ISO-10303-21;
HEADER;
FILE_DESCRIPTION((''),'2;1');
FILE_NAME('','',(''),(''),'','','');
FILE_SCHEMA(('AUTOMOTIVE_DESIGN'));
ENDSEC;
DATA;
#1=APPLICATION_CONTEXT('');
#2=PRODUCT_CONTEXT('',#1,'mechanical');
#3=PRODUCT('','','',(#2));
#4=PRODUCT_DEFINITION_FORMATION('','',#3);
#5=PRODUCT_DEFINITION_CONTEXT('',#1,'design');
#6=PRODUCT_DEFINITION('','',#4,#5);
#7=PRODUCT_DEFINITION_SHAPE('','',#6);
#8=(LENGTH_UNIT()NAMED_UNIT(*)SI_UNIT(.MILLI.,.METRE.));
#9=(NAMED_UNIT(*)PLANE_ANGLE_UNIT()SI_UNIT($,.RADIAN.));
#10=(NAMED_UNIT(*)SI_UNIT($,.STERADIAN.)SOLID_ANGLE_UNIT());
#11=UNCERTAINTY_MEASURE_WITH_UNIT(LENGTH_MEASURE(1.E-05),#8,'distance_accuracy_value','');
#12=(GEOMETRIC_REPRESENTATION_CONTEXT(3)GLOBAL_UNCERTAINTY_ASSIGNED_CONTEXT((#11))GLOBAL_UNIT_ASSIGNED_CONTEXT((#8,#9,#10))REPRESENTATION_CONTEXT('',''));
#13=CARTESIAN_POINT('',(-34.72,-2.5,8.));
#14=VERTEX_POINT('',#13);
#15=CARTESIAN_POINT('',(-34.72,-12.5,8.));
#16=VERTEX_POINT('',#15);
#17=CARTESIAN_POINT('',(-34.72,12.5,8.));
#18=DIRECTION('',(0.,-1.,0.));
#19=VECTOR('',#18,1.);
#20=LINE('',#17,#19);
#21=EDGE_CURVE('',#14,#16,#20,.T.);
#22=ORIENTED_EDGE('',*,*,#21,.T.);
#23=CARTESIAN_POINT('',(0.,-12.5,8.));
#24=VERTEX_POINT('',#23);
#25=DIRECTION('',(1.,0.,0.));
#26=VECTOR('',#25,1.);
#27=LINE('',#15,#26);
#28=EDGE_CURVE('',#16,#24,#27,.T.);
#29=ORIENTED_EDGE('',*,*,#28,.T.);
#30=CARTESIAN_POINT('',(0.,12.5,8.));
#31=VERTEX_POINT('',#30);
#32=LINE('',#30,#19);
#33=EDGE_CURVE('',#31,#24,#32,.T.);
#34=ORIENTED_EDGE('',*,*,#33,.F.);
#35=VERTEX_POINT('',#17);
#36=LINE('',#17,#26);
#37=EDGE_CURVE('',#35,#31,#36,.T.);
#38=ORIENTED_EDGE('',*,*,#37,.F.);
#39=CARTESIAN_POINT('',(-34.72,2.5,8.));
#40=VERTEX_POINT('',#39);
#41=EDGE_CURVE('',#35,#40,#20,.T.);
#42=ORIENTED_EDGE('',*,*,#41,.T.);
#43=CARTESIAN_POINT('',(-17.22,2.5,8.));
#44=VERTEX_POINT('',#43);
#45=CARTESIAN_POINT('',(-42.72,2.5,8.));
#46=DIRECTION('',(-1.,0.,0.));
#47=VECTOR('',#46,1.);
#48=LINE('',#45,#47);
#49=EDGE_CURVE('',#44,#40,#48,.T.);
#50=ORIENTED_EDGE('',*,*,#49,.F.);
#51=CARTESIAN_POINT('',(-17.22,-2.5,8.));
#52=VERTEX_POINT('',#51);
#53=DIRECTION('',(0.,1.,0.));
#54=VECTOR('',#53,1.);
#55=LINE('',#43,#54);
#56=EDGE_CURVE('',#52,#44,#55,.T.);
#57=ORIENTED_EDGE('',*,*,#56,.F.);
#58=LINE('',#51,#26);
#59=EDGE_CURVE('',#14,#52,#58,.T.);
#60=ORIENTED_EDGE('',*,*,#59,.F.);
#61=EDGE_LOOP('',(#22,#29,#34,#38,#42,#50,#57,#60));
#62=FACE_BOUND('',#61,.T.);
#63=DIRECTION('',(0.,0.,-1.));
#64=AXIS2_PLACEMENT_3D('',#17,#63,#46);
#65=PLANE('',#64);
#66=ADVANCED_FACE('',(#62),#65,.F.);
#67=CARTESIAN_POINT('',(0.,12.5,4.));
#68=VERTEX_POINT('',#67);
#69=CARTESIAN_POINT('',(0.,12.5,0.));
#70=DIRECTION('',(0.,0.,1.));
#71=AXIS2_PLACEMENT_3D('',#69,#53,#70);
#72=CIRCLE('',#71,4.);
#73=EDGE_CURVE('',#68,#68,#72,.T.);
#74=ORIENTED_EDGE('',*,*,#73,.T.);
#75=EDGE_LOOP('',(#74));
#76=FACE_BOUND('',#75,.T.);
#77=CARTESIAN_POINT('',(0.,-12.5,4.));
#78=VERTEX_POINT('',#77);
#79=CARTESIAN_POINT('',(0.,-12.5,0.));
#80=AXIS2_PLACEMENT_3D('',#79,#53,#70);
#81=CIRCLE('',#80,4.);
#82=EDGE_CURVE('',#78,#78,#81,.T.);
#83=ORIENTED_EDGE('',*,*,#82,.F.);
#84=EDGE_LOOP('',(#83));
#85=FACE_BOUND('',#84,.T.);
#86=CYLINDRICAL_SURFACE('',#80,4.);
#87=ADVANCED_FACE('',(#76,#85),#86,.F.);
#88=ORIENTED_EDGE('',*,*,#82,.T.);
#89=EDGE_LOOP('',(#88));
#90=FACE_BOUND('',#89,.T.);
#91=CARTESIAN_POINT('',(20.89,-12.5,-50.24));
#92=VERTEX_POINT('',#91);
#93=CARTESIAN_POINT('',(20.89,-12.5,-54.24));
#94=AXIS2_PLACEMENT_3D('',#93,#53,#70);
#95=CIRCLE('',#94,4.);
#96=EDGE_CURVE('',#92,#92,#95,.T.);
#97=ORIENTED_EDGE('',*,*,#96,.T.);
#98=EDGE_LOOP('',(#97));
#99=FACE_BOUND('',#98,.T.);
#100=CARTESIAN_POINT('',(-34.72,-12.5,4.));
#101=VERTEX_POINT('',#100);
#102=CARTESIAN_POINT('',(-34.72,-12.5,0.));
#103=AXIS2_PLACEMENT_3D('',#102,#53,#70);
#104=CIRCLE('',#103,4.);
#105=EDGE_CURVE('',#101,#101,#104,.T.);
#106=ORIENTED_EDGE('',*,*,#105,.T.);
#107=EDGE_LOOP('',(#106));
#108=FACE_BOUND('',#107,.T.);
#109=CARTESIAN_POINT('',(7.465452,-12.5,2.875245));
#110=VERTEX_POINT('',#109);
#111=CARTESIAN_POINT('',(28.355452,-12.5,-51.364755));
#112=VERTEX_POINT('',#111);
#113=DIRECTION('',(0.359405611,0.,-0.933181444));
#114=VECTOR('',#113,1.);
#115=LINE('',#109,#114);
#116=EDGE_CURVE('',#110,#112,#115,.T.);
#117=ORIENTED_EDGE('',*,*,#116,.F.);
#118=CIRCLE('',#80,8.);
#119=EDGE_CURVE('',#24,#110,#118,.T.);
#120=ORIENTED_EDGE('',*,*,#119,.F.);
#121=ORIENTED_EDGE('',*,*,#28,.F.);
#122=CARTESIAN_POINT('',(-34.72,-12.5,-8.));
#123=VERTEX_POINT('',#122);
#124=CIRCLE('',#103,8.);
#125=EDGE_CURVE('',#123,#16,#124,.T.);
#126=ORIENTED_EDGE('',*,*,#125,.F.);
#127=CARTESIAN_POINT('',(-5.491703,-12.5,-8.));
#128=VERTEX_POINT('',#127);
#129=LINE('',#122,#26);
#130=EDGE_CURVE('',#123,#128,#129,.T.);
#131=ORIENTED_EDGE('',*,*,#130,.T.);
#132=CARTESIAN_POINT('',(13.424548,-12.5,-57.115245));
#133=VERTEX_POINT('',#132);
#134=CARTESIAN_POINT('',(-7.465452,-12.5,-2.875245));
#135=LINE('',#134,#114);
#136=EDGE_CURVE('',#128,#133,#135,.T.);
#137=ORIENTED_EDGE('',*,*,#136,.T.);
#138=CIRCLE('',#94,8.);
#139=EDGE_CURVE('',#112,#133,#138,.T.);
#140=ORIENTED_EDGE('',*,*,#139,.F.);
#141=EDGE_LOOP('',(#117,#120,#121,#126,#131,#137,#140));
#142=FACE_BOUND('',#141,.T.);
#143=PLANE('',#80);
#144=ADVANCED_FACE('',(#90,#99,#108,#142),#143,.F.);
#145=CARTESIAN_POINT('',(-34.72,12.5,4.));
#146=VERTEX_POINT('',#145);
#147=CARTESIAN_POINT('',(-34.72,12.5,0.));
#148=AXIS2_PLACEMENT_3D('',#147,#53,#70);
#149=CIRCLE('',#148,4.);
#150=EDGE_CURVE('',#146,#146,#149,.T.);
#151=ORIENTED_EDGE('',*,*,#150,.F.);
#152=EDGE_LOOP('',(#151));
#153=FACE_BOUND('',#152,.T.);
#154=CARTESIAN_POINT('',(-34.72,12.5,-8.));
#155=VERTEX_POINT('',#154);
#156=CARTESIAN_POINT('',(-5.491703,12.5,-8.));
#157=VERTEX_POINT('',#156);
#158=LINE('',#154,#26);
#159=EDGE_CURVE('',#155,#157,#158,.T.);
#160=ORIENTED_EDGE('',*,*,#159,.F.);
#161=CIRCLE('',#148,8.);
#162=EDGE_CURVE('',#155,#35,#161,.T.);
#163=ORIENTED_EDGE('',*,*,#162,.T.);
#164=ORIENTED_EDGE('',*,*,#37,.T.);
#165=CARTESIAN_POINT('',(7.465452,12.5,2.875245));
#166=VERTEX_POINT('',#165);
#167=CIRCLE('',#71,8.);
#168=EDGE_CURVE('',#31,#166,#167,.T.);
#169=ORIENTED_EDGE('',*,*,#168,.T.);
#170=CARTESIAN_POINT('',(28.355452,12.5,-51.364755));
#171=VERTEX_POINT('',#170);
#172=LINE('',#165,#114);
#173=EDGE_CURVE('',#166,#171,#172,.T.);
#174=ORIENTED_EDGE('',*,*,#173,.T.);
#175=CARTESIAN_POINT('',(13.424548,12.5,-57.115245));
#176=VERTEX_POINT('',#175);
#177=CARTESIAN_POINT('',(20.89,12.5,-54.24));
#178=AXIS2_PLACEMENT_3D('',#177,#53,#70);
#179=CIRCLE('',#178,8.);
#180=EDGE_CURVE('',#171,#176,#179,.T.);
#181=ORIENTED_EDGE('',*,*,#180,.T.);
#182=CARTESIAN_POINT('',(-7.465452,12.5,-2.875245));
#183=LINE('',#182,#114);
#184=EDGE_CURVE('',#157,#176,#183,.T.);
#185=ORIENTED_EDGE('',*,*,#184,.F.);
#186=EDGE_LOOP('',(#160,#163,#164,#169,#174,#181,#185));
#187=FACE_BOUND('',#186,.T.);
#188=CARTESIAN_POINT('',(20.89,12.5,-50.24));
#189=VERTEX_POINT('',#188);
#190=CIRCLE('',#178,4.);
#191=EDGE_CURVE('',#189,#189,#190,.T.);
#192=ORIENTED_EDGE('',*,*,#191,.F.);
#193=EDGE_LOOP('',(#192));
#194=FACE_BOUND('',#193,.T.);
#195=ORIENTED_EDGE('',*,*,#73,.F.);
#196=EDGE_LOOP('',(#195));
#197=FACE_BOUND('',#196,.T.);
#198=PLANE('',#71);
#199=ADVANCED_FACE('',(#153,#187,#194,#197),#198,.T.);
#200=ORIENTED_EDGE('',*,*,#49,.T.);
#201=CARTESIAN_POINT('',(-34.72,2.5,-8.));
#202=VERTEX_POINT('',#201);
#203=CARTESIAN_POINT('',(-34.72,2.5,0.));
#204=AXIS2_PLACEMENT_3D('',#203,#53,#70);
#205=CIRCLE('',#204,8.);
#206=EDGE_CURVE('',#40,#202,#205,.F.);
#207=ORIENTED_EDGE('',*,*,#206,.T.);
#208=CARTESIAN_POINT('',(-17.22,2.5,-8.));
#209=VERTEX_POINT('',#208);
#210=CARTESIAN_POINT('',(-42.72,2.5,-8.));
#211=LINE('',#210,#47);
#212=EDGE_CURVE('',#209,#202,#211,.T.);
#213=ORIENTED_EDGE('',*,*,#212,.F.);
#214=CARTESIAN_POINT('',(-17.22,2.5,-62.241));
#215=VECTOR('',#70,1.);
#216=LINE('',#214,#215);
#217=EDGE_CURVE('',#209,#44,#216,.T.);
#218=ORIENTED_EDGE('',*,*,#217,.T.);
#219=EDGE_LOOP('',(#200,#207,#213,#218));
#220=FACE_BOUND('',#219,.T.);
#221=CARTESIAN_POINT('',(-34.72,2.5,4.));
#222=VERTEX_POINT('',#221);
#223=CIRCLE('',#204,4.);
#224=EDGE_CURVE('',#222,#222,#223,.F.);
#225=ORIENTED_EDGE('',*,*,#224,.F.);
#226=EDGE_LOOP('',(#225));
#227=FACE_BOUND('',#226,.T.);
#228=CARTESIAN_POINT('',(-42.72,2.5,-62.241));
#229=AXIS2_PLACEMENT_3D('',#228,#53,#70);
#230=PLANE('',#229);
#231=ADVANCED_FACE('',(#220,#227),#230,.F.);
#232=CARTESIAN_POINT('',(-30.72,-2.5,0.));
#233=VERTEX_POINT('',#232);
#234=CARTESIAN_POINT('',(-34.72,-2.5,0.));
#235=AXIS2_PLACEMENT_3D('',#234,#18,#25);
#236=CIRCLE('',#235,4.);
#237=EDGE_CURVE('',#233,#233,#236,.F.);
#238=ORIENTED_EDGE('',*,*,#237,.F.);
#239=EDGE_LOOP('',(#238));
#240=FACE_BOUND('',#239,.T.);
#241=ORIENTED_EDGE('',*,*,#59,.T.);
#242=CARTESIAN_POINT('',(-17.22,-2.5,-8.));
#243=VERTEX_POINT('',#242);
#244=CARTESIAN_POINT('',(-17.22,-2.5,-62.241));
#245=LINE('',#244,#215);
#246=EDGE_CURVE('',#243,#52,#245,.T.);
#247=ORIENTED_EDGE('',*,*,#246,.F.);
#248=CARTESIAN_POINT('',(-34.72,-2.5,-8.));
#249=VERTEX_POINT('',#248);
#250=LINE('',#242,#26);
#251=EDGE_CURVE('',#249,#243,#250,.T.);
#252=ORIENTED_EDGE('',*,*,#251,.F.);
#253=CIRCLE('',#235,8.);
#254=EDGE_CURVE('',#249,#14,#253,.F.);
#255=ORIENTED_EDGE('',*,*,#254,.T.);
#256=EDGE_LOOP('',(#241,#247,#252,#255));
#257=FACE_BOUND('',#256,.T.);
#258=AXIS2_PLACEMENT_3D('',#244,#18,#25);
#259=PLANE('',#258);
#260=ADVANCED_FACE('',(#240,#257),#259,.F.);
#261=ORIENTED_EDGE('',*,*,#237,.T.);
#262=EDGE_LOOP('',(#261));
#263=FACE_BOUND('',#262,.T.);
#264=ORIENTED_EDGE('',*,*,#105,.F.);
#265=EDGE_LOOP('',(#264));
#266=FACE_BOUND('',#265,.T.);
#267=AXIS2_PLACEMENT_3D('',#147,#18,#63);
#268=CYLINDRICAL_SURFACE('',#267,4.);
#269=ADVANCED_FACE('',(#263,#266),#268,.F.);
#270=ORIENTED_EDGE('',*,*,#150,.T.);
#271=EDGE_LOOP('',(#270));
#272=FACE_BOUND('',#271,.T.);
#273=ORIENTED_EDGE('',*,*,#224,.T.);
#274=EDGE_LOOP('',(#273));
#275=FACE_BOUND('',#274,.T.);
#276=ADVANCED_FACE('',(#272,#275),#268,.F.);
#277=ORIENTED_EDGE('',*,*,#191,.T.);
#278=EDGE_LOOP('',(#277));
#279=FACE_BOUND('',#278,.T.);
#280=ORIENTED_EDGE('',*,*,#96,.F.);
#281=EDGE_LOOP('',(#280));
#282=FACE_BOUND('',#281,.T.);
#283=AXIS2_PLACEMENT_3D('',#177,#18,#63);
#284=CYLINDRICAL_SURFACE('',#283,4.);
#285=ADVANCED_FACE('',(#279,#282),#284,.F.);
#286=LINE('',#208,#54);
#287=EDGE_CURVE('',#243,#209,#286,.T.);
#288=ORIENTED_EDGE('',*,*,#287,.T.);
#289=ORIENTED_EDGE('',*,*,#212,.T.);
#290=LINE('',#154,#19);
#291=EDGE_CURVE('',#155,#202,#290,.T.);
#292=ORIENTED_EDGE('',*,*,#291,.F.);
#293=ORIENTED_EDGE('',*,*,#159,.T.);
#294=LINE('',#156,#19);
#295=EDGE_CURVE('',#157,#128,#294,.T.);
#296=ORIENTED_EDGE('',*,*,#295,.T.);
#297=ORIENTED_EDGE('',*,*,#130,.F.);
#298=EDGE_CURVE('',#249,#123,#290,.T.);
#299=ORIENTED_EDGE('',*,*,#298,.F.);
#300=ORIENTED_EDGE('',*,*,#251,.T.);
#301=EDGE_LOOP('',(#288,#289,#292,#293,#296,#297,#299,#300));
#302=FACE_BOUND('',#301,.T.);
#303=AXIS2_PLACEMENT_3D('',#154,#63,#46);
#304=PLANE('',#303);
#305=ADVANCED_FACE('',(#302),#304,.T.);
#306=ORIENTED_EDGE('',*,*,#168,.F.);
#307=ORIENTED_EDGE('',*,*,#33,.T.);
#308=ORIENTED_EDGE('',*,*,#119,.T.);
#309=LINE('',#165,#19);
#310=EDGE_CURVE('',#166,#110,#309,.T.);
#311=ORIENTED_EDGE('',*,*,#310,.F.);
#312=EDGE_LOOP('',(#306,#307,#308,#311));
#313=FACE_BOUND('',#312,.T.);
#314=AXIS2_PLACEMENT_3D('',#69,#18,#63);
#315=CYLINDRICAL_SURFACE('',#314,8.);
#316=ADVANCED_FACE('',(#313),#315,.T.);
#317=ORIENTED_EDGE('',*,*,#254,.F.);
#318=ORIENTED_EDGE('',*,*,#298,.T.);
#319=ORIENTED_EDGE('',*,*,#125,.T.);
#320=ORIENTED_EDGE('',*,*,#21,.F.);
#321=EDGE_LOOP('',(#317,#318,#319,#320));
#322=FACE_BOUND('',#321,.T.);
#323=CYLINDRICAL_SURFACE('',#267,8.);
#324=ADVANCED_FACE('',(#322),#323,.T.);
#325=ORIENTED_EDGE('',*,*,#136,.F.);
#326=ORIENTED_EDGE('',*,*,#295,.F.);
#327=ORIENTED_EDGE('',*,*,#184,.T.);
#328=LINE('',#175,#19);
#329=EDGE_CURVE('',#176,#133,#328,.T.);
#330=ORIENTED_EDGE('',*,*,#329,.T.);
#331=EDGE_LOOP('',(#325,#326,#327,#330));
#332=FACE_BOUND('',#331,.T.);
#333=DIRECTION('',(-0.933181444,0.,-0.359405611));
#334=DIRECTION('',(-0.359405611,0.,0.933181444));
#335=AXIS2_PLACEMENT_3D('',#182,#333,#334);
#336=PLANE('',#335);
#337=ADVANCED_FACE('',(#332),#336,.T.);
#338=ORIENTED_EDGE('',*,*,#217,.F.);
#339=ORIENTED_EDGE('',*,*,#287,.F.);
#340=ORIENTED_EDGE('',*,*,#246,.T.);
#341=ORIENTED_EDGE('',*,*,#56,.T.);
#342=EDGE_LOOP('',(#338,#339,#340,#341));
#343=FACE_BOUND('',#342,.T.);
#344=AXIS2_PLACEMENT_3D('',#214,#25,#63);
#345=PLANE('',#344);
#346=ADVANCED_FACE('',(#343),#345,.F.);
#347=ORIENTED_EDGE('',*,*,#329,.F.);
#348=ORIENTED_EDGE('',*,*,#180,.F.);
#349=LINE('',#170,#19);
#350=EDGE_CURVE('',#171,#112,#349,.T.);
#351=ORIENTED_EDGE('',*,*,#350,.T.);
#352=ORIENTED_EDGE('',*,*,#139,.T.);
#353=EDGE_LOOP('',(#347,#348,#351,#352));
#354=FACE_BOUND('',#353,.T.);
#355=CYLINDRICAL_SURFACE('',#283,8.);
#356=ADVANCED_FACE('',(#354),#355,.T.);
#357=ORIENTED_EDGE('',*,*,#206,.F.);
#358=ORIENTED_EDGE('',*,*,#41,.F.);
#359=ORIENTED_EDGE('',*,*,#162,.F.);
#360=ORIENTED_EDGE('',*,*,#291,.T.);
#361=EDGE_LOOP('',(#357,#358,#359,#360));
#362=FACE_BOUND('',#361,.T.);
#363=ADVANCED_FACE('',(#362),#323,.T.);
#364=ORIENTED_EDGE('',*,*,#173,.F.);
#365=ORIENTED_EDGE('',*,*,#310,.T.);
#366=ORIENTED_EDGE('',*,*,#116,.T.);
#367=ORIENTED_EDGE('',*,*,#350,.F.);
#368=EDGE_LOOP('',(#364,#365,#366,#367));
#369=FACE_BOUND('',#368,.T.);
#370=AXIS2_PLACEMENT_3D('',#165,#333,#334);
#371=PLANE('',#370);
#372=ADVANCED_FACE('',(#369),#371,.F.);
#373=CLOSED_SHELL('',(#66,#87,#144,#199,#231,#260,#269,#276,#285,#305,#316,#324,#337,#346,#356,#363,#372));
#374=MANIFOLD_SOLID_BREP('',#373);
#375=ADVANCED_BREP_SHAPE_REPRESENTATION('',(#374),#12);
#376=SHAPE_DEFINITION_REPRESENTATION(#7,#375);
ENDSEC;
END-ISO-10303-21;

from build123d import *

# Parameters (mm, degrees)
SKETCH1_R           = 4
BOSS_EXTRUDE1_DEPTH = 12.5
CUT_EXTRUDE1_REACH  = 85.156
SKETCH4_W           = 25.5
SKETCH4_H           = 5
SKETCH5_R           = 4
CUT_EXTRUDE2_DEPTH  = 80.522425


with BuildPart() as part:
    # Sketch1 → Boss-Extrude1 (new, symmetric)
    # profile 1 of 3: a face of its own
    with BuildSketch(Plane(origin=(0, 0, 0), x_dir=(1, 0, 0), z_dir=(0, 1, 0))):
        Circle(SKETCH1_R)
    # profile 2 of 3: a face of its own
    with BuildSketch(Plane(origin=(0, 0, 0), x_dir=(1, 0, 0), z_dir=(0, 1, 0))):
        with BuildLine():
            Line((-34.72, 8), (0, 8))
            ThreePointArc((0, 8), (8, 0), (0, -8))
            Line((0, -8), (-34.72, -8))
            ThreePointArc((-34.72, -8), (-42.72, 0), (-34.72, 8))
        make_face()
        with Locations(Location((-34.72, 0, 0), (0, 0, 270))):
            Circle(SKETCH1_R, mode=Mode.SUBTRACT)
    # profile 3 of 3: a face of its own
    with BuildSketch(Plane(origin=(0, 0, 0), x_dir=(1, 0, 0), z_dir=(0, 1, 0))):
        with BuildLine():
            Line((-7.465452, 2.875245), (13.424548, 57.115245))
            ThreePointArc((13.424548, 57.115245), (23.765245, 61.705452), (28.355452, 51.364755))
            Line((28.355452, 51.364755), (7.465452, -2.875245))
            ThreePointArc((7.465452, -2.875245), (-2.875245, -7.465452), (-7.465452, 2.875245))
        make_face()
        with Locations(Location((20.89, 54.24, 0), (0, 0, 270))):
            Circle(SKETCH1_R, mode=Mode.SUBTRACT)
    extrude(amount=BOSS_EXTRUDE1_DEPTH, both=True)

    # Sketch4 → Cut-Extrude1 (cut, up to next)
    with BuildSketch(Plane.XY.offset(8), mode=Mode.PRIVATE) as cut_extrude1_sk1:
        with Locations((-29.97, 0)):
            Rectangle(SKETCH4_W, SKETCH4_H)
    cut_extrude1_tool1 = extrude(cut_extrude1_sk1.sketch, amount=-CUT_EXTRUDE1_REACH, mode=Mode.PRIVATE) & part.part
    add(cut_extrude1_tool1.solids().sort_by_distance((-29.97, 0, 8))[0], mode=Mode.SUBTRACT)

    # Sketch5 → Cut-Extrude2 (cut, through all)
    with BuildSketch(Plane(origin=(0, 12.5, 0), x_dir=(1, 0, 0), z_dir=(0, 1, 0))):
        with Locations(Location((0, 0, 0), (0, 0, 270))):
            Circle(SKETCH5_R)
    extrude(amount=-CUT_EXTRUDE2_DEPTH, mode=Mode.SUBTRACT)


solid = part.part
